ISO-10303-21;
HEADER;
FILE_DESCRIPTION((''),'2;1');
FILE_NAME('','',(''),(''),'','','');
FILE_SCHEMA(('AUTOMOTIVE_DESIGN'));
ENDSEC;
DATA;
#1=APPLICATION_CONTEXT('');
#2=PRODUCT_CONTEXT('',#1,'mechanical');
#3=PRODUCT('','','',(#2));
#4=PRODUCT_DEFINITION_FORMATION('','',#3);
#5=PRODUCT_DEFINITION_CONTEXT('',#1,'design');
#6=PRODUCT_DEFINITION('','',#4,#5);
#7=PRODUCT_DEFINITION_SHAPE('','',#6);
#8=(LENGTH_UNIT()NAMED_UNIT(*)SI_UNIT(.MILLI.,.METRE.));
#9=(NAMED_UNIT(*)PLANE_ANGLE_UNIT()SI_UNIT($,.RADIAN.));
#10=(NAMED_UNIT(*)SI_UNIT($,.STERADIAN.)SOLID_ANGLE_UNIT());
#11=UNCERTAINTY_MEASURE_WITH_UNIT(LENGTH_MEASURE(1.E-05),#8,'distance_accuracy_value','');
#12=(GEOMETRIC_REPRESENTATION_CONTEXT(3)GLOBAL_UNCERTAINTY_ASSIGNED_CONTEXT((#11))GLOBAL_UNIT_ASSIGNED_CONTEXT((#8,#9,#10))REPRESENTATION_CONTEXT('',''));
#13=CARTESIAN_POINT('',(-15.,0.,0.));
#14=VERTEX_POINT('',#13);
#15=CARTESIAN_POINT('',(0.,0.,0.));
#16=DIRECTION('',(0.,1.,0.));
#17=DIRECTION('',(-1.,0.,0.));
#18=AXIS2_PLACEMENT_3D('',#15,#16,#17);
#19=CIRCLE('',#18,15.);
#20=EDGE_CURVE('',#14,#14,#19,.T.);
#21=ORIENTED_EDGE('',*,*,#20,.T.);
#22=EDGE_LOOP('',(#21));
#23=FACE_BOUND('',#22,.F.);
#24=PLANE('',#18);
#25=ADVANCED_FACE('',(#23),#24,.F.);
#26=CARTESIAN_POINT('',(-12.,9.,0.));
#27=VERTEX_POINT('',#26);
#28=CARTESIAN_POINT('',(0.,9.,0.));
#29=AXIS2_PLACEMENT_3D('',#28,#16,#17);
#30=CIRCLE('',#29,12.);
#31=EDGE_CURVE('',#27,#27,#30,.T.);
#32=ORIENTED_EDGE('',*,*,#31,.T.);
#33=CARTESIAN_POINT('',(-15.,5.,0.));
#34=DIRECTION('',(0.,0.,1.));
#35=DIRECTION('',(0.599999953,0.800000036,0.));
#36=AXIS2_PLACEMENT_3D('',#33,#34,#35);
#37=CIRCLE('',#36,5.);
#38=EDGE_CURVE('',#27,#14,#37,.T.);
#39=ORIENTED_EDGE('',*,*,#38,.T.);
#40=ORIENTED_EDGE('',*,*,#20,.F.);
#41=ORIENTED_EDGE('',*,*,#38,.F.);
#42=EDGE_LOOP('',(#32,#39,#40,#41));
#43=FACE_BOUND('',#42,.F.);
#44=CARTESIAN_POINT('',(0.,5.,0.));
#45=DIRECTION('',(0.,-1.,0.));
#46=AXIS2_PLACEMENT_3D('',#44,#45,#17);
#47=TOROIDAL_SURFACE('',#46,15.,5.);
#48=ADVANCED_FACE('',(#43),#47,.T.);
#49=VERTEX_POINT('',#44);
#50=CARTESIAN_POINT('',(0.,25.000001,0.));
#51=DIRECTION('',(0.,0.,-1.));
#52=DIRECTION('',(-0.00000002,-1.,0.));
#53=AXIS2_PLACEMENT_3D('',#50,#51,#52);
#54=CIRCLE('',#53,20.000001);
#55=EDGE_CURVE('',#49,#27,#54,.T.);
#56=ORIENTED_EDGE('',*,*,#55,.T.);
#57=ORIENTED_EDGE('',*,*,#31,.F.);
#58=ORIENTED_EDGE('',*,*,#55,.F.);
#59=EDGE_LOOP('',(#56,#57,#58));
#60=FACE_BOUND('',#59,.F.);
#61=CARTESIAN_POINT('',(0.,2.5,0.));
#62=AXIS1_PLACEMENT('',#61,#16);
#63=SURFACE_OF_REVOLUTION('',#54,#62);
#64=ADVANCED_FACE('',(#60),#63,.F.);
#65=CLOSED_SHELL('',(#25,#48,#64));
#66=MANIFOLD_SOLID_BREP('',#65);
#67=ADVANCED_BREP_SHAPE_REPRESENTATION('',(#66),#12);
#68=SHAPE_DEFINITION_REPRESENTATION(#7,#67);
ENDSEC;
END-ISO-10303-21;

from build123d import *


with BuildPart() as f1:
    # F0 (on Top) → F1 (revolve)
    with BuildSketch(Plane.XY):
        with BuildLine():
            ThreePointArc((0, 5), (-6.324555, 6.026334), (-12, 9))
            ThreePointArc((-12, 9), (-19.743416, 6.581139), (-15, 0))
            Line((-15, 0), (0, 0))
            Line((0, 0), (0, 5))
        make_face()
    revolve(axis=Axis((0, 2.5, 0), (0, 1, 0)))


solid = f1.part
